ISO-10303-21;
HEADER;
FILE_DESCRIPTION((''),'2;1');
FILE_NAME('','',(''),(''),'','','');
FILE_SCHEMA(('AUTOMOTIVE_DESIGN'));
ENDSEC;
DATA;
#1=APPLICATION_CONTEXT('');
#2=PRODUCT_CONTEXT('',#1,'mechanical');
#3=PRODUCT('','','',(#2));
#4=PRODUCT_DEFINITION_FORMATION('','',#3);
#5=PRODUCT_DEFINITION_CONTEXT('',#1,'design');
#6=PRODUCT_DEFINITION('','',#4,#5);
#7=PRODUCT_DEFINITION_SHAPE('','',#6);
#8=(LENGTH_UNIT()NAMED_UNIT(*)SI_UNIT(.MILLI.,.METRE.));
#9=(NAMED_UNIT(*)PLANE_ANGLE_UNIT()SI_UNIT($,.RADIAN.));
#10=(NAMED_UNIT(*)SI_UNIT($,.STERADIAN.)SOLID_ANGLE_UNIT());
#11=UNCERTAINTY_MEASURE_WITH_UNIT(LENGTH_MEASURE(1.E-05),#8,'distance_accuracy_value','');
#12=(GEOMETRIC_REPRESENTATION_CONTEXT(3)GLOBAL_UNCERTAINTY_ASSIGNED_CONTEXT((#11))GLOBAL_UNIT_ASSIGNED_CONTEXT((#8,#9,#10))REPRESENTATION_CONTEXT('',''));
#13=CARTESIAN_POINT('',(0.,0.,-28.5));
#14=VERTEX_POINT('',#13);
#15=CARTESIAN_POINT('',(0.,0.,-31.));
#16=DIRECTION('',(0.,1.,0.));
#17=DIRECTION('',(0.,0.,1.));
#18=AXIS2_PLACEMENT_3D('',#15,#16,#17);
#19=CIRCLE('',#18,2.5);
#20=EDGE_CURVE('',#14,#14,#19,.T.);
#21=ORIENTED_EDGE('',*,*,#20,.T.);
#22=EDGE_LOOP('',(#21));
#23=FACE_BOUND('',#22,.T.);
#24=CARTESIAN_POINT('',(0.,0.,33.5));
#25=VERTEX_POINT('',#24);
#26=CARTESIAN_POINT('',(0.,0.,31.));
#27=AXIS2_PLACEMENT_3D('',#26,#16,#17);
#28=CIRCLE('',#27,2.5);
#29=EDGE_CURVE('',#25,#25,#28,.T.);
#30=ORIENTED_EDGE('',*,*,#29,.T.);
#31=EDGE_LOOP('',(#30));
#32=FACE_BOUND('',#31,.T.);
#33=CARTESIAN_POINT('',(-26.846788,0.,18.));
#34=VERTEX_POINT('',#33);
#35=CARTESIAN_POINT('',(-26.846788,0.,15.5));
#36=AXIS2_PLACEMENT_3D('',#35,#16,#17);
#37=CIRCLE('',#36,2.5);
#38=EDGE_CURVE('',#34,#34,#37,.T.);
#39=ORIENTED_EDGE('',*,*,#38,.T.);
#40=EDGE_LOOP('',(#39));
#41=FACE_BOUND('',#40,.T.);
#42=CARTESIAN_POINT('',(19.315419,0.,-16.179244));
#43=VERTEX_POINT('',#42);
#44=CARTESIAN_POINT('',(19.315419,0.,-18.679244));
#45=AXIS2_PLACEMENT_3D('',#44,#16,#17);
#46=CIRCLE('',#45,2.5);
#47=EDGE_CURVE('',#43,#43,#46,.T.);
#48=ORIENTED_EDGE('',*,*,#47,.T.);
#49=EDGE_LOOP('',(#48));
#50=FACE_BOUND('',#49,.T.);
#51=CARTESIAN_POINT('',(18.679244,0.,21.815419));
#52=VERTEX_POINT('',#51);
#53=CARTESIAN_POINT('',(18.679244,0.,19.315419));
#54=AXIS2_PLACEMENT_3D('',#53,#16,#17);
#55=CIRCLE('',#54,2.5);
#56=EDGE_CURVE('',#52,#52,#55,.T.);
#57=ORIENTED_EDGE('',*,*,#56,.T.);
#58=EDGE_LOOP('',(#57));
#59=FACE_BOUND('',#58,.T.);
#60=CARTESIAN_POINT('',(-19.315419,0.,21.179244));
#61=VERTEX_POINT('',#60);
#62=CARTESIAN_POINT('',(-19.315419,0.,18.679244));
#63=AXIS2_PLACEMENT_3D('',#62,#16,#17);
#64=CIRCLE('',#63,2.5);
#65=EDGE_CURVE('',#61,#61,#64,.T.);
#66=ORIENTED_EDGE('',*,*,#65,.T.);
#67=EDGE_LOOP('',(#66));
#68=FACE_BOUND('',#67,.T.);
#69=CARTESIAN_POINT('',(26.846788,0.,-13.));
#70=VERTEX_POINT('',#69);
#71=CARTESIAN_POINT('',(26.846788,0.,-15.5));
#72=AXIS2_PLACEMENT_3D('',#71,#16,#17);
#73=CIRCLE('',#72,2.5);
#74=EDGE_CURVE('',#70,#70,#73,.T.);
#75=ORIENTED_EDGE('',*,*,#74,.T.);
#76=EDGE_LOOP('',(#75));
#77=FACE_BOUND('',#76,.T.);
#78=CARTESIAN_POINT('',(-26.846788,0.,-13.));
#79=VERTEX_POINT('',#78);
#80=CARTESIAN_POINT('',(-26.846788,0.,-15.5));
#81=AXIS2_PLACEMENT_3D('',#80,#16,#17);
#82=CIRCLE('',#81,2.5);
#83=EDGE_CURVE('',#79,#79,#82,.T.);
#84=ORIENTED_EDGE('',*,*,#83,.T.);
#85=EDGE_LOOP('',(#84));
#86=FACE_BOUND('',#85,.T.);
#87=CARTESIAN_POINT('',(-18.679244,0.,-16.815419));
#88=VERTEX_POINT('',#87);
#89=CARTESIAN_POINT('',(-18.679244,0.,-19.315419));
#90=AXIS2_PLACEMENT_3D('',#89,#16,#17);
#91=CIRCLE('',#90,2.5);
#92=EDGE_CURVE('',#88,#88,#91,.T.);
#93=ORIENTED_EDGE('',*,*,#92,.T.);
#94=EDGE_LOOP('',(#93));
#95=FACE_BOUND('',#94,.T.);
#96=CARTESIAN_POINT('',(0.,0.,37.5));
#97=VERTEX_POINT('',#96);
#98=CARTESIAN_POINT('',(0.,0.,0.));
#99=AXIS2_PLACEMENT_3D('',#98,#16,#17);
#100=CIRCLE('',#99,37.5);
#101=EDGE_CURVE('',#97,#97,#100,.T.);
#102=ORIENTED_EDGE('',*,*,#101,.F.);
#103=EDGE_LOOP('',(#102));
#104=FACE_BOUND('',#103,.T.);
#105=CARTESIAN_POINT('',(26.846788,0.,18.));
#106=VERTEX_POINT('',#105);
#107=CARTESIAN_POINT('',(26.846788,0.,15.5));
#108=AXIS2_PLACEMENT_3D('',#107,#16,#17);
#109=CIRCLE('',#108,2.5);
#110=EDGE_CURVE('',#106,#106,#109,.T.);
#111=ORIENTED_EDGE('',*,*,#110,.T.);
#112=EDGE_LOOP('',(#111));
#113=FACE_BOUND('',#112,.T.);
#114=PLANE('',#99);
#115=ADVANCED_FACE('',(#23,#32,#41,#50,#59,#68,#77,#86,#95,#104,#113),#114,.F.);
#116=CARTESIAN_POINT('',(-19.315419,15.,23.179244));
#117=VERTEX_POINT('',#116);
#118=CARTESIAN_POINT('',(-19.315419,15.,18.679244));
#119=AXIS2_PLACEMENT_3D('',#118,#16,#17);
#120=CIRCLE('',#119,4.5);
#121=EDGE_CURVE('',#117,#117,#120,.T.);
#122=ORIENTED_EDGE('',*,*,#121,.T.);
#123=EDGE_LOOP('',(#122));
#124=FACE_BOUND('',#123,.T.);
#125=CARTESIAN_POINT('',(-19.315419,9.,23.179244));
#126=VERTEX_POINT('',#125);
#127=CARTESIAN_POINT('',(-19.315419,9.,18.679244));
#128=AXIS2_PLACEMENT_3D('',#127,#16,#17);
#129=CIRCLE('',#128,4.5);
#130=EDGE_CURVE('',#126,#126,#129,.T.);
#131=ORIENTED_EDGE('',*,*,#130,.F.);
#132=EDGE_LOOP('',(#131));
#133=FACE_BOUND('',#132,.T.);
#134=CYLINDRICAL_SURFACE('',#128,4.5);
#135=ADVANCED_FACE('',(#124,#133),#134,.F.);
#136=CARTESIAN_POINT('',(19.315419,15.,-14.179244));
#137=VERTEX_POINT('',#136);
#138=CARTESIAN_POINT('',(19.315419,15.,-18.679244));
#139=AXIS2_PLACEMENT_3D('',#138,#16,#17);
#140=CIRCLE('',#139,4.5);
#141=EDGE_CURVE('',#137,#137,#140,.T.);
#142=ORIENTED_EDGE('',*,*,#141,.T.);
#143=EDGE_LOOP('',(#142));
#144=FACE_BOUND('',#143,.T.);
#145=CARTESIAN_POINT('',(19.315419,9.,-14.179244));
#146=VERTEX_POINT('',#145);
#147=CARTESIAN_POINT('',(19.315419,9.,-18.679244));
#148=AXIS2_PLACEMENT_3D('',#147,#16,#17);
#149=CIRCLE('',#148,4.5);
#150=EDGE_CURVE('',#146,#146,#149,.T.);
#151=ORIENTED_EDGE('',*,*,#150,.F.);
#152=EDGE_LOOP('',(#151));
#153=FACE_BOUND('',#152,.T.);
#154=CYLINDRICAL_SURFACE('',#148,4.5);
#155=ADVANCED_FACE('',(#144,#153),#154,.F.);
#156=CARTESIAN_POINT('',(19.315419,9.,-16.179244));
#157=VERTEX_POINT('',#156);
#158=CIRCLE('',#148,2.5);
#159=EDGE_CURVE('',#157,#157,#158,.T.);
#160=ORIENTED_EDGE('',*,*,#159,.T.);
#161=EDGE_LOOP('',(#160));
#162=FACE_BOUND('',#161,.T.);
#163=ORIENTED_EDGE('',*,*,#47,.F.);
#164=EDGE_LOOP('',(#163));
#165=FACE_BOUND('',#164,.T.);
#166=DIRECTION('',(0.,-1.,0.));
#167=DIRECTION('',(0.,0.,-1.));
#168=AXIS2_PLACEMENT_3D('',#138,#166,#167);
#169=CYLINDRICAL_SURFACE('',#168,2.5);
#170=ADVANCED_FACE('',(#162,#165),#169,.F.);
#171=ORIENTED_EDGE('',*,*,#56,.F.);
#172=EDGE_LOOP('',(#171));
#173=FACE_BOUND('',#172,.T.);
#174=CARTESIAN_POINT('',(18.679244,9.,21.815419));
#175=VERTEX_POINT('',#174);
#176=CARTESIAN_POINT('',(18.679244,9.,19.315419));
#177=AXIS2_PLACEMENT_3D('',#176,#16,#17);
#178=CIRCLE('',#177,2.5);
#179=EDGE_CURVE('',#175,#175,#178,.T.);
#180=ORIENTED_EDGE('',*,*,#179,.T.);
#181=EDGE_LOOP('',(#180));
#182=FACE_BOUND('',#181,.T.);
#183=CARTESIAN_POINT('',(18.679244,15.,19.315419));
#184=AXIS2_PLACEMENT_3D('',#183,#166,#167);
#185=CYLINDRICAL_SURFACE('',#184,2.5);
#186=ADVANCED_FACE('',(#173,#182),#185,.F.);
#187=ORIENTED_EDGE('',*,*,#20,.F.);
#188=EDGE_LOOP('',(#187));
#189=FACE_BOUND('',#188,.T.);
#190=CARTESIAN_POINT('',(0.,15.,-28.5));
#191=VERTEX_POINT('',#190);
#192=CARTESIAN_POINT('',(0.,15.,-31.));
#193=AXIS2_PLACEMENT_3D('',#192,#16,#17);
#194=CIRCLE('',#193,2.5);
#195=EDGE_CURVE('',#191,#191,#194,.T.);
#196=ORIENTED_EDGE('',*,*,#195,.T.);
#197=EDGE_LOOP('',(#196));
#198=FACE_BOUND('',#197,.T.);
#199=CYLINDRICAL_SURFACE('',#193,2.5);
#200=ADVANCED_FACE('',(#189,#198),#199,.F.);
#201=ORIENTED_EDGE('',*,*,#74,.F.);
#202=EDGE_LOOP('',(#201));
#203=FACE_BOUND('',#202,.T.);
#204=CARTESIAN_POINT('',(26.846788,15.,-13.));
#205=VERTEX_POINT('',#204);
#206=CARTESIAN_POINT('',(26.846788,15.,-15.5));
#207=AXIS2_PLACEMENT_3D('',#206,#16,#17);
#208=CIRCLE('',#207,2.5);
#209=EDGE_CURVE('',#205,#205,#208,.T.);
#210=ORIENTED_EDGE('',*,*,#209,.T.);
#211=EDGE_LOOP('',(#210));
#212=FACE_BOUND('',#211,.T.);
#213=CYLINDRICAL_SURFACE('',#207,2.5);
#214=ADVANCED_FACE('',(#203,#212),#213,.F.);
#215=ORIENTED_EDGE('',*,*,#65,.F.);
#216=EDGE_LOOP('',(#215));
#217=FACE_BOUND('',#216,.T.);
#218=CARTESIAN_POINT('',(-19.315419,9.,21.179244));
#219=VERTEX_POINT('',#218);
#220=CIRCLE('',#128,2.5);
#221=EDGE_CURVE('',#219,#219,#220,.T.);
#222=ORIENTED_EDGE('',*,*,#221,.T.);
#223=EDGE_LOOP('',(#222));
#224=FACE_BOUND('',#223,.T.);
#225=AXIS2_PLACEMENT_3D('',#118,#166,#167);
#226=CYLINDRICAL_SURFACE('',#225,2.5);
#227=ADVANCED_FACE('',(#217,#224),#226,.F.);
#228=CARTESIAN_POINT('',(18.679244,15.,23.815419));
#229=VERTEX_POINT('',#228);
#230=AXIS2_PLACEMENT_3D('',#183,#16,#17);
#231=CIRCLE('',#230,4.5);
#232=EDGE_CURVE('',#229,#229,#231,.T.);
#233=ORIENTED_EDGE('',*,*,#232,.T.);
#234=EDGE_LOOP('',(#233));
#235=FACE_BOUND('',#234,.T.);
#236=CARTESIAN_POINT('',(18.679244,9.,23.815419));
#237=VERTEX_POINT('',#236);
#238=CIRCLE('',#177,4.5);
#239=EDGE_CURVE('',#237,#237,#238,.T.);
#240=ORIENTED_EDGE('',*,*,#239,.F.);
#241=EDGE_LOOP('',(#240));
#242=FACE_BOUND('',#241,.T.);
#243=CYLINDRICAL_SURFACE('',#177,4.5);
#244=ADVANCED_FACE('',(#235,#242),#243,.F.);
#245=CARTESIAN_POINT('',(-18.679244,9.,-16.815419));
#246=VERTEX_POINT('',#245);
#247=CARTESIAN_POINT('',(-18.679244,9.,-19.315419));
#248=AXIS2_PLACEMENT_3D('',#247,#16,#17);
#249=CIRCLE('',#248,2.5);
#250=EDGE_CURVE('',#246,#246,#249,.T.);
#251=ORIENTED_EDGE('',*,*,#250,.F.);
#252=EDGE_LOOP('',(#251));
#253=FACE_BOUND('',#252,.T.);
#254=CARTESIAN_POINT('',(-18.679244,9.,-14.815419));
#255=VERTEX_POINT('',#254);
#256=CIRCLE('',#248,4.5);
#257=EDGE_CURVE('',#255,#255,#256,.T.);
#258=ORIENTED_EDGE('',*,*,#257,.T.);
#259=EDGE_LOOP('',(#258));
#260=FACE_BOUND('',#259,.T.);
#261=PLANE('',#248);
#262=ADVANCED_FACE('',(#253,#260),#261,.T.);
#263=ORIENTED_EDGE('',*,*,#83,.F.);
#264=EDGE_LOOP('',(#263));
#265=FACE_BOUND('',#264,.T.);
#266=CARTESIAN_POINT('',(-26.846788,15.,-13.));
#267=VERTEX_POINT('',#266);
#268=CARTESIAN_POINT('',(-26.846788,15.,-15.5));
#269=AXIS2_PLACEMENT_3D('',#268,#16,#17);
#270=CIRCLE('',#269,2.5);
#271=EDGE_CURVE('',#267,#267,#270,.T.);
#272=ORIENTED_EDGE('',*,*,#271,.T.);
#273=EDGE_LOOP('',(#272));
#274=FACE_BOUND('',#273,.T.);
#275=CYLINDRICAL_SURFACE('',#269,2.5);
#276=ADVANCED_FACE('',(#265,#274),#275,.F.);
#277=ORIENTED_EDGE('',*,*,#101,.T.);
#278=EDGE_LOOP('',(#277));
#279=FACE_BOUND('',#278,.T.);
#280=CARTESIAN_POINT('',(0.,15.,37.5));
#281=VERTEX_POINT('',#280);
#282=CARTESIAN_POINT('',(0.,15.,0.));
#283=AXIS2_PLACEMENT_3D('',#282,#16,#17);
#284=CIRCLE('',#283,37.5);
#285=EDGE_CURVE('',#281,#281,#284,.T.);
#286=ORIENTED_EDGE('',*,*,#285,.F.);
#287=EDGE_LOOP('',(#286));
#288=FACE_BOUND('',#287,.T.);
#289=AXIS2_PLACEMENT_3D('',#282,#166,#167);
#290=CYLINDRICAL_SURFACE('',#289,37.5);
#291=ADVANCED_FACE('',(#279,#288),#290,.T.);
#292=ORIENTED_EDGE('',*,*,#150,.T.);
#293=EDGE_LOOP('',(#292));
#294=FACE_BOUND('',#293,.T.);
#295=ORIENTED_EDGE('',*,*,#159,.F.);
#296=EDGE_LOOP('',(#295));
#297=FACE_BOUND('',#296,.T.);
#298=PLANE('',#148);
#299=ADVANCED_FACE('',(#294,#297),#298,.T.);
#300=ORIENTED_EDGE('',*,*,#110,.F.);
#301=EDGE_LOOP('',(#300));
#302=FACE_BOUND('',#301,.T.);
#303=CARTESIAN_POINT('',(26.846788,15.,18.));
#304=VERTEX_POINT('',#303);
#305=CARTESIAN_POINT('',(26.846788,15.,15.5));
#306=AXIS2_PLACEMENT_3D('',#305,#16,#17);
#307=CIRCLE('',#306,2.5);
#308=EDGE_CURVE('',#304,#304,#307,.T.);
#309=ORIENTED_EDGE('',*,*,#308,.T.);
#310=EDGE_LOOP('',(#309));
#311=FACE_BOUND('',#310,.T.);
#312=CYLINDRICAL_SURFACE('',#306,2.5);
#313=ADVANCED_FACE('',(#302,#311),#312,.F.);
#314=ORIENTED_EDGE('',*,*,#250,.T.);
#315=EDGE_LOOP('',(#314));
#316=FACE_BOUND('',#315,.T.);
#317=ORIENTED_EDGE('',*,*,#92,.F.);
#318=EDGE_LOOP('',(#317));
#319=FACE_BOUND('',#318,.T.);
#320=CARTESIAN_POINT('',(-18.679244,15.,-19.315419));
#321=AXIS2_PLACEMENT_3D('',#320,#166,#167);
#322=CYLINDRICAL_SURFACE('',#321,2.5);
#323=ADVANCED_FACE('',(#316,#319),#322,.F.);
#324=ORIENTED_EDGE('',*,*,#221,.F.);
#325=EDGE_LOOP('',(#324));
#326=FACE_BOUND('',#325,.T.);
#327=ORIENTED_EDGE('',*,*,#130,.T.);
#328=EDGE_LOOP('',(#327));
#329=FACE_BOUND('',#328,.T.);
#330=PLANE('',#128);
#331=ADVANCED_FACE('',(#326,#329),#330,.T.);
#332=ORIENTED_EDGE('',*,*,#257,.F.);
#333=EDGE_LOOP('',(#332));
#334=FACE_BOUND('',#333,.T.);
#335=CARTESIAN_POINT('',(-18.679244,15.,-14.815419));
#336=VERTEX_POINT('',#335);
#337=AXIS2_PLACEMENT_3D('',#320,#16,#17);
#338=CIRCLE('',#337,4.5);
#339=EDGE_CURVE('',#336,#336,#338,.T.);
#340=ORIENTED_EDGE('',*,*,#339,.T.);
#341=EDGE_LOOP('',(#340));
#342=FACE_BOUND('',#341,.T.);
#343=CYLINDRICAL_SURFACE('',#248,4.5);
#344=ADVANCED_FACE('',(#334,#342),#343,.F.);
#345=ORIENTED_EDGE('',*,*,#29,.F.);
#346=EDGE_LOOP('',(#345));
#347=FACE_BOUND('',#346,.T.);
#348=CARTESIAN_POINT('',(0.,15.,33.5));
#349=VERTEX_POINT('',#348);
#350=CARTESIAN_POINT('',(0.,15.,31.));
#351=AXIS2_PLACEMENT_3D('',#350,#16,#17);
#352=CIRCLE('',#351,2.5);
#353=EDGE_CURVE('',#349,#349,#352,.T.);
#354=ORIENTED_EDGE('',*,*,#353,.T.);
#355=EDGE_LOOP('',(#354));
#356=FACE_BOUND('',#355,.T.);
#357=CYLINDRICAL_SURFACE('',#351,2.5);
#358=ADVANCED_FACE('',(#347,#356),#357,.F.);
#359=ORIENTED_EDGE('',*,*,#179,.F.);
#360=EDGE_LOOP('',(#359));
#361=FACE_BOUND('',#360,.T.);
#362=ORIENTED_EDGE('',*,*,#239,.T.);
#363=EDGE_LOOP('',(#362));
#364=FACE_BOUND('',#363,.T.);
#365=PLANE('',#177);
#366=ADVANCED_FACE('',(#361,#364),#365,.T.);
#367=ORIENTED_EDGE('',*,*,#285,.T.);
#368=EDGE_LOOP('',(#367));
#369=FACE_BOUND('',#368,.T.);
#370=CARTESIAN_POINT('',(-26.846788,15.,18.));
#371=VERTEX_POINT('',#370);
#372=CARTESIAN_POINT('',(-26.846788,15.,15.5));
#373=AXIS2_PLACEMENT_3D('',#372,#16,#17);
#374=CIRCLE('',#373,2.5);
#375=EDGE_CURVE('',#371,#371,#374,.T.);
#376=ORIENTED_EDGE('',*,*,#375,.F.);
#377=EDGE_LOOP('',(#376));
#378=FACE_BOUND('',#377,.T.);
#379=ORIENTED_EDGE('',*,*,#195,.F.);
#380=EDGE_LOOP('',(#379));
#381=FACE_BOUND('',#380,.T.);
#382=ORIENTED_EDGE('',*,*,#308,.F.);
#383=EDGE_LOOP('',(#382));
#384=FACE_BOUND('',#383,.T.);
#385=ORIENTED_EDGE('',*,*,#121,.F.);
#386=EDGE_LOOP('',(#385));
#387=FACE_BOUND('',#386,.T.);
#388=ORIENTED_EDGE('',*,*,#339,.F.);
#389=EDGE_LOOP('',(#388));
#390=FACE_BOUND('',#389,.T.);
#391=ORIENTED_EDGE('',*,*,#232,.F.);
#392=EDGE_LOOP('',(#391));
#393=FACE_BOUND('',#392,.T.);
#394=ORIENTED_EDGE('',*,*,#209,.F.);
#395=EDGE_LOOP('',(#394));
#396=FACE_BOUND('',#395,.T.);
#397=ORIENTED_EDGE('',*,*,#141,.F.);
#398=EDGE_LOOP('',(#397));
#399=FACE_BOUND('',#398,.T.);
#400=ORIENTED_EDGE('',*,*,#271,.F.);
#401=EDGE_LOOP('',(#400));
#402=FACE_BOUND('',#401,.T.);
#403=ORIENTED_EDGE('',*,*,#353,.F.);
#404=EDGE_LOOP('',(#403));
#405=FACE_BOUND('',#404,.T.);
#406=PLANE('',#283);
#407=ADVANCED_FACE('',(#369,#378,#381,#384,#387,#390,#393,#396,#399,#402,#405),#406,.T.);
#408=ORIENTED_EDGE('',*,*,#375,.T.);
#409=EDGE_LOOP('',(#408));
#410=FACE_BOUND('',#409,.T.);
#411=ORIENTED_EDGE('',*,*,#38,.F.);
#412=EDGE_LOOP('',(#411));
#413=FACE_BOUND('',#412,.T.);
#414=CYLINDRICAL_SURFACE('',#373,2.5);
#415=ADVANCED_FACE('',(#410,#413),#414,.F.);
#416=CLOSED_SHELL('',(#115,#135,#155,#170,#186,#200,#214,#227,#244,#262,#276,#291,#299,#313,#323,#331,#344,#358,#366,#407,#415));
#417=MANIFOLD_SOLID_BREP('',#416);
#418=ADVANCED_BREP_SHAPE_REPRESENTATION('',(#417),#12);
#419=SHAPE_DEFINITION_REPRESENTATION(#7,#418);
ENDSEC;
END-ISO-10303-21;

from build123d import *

# Parameters (mm, degrees)
SKETCH2_R             = 37.5
SKETCH2_R_2           = 2.5
BOSS_EXTRUDE1_DEPTH   = 15
SKETCH3_R             = 4.5
CUT_EXTRUDE1_DEPTH    = 6
M6X1_0_TAPPED_HOLE1_D = 5


with BuildPart() as part:
    # Sketch2 → Boss-Extrude1 (new body)
    with BuildSketch(Plane(origin=(0, 0, 0), x_dir=(1, 0, 0), z_dir=(0, 1, 0))):
        Circle(SKETCH2_R)
        with Locations((-18.679244128, 19.315419379)):
            Circle(SKETCH2_R_2, mode=Mode.SUBTRACT)
        with Locations((19.315419379, 18.679244128)):
            Circle(SKETCH2_R_2, mode=Mode.SUBTRACT)
        with Locations((18.679244128, -19.315419379)):
            Circle(SKETCH2_R_2, mode=Mode.SUBTRACT)
        with Locations((-19.315419379, -18.679244128)):
            Circle(SKETCH2_R_2, mode=Mode.SUBTRACT)
    extrude(amount=BOSS_EXTRUDE1_DEPTH)

    # Sketch3 → Cut-Extrude1 (cut)
    with BuildSketch(Plane(origin=(0, 15, 0), x_dir=(1, 0, 0), z_dir=(0, 1, 0))):
        with Locations((-18.679244128, 19.315419379)):
            Circle(SKETCH3_R)
        with Locations((19.315419379, 18.679244128)):
            Circle(SKETCH3_R)
        with Locations((18.679244128, -19.315419379)):
            Circle(SKETCH3_R)
        with Locations((-19.315419379, -18.679244128)):
            Circle(SKETCH3_R)
    extrude(amount=-CUT_EXTRUDE1_DEPTH, mode=Mode.SUBTRACT)

    # M6x1.0 Tapped Hole1 (through all)
    with Locations(Plane(origin=(0, 15, -31), x_dir=(0, 0, 1), z_dir=(0, 1, 0))):
        with Locations((0, 0), (15.5, 26.846787517), (46.5, 26.846787517), (62, 0), (46.5, -26.846787517), (15.5, -26.846787517)):
            Hole(M6X1_0_TAPPED_HOLE1_D / 2)


solid = part.part
